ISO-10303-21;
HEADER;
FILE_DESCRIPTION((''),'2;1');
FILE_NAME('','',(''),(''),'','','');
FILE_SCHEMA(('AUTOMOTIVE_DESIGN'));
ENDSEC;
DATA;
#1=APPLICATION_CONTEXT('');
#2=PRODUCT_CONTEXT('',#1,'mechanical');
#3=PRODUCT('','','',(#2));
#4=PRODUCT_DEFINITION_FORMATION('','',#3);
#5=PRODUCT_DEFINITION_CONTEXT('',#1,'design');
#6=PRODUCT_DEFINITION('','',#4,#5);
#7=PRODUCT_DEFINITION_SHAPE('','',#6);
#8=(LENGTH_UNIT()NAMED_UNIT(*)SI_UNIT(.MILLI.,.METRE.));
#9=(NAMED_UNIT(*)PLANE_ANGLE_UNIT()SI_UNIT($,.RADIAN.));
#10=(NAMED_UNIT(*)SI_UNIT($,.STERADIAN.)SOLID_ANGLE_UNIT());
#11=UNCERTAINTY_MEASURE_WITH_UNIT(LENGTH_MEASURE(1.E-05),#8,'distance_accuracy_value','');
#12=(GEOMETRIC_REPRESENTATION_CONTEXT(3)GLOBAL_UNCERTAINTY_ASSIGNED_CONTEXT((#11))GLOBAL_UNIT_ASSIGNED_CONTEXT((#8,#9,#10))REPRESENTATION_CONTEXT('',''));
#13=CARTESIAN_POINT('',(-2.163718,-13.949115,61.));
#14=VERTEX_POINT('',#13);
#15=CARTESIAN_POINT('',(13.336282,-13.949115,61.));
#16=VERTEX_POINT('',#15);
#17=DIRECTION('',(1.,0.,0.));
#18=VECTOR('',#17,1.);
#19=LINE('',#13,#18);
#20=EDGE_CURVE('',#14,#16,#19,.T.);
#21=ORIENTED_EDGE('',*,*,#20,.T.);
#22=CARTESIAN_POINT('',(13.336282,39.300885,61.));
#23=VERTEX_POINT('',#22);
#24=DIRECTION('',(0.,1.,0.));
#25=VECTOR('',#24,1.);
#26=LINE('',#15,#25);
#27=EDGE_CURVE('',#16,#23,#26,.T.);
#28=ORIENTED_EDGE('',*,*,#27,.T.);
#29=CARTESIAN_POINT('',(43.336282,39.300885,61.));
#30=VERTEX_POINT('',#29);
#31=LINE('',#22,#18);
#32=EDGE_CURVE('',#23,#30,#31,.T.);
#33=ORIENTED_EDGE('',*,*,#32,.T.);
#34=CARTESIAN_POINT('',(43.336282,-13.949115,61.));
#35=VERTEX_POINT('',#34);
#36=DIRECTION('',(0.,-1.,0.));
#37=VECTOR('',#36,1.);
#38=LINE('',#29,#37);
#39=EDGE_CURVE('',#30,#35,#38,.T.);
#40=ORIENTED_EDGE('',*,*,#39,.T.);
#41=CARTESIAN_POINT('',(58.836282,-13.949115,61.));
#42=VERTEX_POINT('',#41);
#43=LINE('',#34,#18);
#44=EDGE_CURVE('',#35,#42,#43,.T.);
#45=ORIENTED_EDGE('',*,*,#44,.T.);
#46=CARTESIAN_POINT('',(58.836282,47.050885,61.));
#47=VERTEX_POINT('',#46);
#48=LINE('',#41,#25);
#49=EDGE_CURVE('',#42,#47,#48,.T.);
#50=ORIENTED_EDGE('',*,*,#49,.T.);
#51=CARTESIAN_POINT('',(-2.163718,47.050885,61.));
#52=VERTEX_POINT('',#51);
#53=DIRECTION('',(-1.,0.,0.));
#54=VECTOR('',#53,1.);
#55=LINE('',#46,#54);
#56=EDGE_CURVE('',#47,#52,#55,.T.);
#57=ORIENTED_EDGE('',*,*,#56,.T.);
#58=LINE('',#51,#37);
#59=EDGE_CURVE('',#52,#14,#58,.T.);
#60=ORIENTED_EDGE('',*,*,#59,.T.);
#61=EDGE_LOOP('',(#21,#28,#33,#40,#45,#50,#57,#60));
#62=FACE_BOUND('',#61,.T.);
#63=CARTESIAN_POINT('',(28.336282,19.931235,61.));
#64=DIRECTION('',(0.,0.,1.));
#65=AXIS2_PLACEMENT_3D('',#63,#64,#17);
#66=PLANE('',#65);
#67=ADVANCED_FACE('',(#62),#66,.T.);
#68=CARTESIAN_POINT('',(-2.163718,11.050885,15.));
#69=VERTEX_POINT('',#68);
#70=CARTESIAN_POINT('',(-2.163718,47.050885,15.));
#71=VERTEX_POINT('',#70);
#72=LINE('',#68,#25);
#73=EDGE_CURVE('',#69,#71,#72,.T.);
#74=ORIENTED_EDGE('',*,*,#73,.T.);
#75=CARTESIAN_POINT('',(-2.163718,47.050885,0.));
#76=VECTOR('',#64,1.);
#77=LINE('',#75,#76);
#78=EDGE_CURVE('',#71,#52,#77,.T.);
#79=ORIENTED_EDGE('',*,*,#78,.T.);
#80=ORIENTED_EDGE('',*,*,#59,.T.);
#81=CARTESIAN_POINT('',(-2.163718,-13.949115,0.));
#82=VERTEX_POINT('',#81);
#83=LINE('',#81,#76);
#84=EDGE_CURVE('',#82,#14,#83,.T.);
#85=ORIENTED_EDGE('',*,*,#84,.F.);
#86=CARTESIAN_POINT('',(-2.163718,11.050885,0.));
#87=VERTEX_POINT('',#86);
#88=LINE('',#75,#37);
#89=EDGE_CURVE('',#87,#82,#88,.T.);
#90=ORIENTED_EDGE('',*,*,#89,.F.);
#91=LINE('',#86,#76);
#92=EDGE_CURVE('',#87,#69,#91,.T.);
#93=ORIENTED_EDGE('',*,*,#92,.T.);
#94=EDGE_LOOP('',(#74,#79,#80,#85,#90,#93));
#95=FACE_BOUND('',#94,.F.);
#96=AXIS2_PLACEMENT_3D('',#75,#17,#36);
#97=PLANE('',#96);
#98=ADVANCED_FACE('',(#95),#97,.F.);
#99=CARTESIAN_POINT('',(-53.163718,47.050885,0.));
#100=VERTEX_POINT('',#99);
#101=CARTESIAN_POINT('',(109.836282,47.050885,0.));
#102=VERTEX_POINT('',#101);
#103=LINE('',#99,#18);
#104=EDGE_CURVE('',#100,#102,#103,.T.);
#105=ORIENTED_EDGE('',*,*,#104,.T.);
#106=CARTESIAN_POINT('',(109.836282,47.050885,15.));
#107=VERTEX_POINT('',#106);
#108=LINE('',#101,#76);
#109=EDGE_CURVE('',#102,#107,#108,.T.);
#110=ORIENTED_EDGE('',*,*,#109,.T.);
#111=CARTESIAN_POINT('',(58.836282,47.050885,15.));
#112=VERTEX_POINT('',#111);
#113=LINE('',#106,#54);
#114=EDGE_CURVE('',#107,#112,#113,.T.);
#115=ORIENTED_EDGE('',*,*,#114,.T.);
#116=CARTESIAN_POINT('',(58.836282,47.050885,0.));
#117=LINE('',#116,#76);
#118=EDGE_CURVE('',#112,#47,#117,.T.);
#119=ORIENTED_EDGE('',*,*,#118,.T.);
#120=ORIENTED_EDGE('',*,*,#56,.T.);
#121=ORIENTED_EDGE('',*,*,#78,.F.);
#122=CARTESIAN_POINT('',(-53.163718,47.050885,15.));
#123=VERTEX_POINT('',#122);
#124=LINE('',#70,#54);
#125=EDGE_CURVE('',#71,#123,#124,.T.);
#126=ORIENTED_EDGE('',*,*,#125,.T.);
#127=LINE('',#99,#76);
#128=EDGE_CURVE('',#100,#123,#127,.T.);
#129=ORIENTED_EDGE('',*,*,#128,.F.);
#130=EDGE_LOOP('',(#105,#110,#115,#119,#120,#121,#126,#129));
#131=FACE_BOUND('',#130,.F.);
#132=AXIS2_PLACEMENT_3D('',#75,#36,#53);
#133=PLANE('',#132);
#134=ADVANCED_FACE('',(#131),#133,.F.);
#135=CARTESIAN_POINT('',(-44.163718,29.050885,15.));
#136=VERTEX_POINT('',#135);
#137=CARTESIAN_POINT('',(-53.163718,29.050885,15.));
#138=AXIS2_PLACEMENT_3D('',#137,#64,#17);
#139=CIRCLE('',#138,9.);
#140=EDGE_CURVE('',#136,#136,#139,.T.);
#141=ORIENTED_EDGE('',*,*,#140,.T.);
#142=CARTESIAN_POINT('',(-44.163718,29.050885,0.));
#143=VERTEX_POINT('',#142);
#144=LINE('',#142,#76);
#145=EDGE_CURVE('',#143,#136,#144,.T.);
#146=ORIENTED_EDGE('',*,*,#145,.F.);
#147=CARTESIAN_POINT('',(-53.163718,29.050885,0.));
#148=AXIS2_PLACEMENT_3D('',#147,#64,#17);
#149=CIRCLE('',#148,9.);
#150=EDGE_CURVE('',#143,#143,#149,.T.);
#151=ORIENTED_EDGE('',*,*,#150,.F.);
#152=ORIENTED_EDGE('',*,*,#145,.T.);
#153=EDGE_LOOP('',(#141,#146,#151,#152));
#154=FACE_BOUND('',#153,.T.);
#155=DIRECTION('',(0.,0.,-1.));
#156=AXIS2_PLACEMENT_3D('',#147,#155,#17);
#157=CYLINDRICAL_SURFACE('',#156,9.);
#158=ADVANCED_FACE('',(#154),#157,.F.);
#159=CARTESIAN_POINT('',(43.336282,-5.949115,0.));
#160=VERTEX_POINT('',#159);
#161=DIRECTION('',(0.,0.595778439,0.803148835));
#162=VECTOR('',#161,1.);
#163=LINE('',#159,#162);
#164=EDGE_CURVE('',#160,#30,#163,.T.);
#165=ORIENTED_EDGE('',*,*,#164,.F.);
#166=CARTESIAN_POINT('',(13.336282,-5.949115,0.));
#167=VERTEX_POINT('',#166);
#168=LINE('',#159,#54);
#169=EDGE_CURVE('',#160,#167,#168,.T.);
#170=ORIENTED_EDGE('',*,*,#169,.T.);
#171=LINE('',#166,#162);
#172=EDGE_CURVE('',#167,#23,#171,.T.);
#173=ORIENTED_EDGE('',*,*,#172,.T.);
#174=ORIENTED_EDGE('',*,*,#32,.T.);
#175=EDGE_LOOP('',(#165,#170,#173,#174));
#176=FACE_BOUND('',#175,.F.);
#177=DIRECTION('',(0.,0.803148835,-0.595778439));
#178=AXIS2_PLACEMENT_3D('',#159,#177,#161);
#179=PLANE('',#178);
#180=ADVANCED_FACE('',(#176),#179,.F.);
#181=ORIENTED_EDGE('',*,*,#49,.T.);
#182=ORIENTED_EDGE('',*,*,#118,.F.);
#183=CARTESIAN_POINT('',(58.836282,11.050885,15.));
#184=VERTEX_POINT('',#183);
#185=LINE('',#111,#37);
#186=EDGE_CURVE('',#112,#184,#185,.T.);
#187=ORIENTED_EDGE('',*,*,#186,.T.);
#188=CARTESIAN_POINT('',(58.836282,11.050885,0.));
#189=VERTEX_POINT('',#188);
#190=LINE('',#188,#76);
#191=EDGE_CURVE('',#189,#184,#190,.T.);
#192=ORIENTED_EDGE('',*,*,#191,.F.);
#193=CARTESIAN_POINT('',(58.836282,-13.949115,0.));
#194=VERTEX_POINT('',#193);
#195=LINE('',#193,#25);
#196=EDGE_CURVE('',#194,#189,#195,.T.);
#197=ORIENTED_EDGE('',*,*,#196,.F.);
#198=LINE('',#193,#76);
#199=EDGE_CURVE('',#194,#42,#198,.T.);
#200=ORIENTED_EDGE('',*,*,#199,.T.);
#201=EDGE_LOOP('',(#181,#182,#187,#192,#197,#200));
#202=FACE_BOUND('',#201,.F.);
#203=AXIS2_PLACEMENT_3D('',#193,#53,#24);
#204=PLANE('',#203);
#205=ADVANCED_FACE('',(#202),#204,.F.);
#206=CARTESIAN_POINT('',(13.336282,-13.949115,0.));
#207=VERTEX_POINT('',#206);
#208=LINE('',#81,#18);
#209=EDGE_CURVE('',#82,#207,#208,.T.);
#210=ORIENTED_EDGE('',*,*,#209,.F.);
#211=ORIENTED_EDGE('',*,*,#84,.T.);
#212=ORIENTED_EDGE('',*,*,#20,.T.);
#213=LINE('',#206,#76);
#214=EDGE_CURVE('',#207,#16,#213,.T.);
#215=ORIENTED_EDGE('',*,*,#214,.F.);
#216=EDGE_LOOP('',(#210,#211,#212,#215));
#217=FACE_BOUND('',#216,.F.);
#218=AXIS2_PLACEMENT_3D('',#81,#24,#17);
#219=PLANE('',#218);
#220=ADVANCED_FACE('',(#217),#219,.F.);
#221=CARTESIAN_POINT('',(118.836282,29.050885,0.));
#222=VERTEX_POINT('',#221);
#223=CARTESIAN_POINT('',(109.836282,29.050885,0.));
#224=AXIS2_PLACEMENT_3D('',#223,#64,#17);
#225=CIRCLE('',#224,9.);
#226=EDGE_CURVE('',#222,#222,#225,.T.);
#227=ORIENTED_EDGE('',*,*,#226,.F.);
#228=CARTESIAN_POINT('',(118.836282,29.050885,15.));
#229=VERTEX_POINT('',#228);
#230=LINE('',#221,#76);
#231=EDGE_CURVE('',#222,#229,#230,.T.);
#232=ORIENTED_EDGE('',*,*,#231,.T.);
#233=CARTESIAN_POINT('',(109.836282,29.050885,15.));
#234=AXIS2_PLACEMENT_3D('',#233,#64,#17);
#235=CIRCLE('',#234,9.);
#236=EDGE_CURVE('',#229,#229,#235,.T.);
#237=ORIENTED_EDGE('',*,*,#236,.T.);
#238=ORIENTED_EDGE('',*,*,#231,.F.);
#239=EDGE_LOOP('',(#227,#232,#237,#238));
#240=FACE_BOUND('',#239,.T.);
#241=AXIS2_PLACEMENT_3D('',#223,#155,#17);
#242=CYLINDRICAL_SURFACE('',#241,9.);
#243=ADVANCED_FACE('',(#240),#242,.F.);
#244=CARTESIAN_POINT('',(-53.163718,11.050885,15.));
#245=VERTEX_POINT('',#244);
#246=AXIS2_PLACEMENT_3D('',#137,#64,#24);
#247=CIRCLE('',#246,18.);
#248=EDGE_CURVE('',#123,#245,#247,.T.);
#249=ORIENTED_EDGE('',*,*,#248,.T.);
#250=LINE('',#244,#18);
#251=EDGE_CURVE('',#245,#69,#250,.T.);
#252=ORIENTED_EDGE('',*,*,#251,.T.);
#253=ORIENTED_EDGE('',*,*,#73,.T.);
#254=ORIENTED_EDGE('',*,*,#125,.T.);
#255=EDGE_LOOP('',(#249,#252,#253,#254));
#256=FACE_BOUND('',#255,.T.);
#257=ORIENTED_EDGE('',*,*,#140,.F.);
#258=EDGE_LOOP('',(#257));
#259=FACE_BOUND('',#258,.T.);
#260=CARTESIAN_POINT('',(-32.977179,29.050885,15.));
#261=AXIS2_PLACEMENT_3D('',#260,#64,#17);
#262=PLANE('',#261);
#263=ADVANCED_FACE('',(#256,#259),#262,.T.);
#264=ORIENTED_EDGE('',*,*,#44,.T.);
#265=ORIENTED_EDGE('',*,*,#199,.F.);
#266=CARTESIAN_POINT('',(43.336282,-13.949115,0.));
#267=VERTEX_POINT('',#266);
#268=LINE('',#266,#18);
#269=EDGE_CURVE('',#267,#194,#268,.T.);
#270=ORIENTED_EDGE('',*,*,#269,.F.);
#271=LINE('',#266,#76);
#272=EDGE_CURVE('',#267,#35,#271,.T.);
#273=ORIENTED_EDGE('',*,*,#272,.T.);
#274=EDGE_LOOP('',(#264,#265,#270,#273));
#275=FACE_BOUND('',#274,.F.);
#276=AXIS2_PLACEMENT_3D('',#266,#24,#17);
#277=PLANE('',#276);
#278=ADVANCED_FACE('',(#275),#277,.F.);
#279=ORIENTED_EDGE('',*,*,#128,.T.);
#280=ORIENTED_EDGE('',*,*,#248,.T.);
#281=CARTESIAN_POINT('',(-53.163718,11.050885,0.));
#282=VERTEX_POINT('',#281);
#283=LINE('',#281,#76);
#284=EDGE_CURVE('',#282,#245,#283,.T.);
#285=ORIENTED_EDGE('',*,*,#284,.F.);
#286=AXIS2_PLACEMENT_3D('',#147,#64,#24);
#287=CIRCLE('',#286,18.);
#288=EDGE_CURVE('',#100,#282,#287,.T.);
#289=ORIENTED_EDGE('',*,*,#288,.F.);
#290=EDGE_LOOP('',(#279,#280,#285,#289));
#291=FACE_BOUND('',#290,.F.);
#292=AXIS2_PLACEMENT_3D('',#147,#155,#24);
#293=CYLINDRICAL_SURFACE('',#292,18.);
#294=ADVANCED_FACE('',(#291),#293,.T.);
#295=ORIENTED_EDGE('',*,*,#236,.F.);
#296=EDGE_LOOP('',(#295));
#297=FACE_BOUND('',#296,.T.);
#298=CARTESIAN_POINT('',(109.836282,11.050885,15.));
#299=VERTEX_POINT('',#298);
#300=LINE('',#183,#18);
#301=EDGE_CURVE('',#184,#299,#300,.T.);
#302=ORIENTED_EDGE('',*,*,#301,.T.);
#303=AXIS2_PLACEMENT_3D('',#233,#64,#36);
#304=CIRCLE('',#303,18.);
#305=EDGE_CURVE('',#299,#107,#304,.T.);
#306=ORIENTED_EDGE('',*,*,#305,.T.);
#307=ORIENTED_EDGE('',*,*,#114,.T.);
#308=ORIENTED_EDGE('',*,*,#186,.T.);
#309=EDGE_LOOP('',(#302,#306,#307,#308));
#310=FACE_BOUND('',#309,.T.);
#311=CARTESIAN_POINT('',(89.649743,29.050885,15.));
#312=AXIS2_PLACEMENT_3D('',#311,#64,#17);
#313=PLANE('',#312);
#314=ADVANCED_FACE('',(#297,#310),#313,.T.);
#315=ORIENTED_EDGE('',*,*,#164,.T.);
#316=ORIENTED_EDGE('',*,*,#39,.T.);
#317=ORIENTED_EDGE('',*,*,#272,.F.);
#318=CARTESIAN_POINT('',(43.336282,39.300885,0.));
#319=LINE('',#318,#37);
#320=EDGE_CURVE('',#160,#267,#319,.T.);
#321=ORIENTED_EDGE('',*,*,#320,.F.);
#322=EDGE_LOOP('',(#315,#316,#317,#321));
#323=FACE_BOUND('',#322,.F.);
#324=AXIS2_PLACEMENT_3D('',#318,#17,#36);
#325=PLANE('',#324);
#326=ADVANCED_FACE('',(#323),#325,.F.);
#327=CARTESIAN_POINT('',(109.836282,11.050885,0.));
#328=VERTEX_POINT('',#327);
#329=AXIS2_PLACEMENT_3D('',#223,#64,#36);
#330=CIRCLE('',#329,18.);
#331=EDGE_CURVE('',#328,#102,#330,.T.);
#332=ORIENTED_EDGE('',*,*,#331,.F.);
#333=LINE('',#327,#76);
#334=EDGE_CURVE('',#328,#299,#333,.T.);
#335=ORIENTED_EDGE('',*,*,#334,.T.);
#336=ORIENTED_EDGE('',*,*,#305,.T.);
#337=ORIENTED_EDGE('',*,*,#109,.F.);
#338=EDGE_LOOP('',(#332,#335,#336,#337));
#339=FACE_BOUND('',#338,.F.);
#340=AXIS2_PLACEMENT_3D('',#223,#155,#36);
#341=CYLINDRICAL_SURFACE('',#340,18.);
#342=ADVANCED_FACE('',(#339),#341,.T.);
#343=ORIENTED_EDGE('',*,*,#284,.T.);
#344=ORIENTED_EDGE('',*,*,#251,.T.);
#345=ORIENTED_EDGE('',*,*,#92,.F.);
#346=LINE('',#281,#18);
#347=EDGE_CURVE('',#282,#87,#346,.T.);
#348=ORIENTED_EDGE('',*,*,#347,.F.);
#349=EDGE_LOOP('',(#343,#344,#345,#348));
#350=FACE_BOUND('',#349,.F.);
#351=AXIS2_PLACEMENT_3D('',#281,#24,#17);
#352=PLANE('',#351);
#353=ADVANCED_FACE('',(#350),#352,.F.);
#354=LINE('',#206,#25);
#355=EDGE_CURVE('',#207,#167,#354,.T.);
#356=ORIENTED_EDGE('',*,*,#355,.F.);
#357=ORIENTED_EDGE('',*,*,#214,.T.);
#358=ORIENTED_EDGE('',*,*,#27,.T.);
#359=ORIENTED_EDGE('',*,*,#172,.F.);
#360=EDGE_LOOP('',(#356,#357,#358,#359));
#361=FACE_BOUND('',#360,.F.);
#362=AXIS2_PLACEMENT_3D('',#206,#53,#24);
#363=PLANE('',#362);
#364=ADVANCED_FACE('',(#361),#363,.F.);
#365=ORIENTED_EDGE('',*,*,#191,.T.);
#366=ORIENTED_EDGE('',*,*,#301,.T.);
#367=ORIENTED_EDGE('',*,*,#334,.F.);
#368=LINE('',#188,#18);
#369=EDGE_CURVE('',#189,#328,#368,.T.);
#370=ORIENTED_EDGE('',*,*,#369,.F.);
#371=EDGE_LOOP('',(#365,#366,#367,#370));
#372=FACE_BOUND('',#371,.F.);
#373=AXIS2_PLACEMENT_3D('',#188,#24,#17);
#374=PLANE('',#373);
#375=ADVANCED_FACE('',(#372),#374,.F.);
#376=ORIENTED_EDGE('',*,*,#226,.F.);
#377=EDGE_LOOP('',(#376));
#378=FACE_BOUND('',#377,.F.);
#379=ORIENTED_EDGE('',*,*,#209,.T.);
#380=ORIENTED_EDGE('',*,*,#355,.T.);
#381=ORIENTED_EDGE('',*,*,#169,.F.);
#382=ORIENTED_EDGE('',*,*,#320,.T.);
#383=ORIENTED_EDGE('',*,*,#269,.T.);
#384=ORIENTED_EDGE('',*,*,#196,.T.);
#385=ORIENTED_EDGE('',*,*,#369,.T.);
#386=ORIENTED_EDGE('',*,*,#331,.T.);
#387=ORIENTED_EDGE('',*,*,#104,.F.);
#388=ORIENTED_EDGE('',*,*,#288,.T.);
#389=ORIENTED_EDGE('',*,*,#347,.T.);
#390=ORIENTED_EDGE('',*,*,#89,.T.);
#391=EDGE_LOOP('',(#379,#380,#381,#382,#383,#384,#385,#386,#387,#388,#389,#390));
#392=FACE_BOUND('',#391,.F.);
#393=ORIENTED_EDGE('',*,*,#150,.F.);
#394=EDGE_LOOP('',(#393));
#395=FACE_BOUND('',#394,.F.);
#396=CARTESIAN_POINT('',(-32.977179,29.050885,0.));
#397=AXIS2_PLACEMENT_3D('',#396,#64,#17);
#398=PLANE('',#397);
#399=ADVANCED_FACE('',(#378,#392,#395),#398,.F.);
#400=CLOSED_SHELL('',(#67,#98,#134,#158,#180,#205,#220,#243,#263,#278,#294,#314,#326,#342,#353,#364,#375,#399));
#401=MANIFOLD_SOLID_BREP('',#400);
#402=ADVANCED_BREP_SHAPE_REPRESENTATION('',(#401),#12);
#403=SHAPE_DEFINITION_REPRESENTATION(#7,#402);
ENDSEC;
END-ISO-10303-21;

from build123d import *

# Parameters (mm, degrees)
F1_DEPTH = 61
F3_DEPTH = 30
F0_R     = 9
F4_DEPTH = 15


with BuildPart() as f1:
    # F0 (on Top) → F1 (new body)
    with BuildSketch(Plane.XY):
        Polygon((-2.163718, 11.050885), (-2.163718, -13.949115), (13.336282, -13.949115), (13.336282, 39.300885), (43.336282, 39.300885), (43.336282, -13.949115), (58.836282, -13.949115), (58.836282, 11.050885), (58.836282, 47.050885), (-2.163718, 47.050885), align=None)
    extrude(amount=F1_DEPTH)

    # F2 (on face) → F3 (join)
    with BuildSketch(Plane(origin=(43.336282, 0, 0), x_dir=(0, -1, 0), z_dir=(-1, 0, 0))):
        Polygon((-39.300885, 0), (5.949115, 0), (-39.300885, 61), align=None)
    extrude(amount=F3_DEPTH)

    # F0 (on Top) → F4 (join)
    with BuildSketch(Plane.XY):
        with BuildLine():
            Line((-53.163718, 11.050885), (-2.163718, 11.050885))
            Line((-2.163718, 11.050885), (-2.163718, 47.050885))
            Line((-2.163718, 47.050885), (-53.163718, 47.050885))
            ThreePointArc((-53.163718, 47.050885), (-71.163718, 29.050885), (-53.163718, 11.050885))
        make_face()
        with Locations((-53.163718, 29.050885)):
            Circle(F0_R, mode=Mode.SUBTRACT)
        with BuildLine():
            Line((109.836282, 47.050885), (58.836282, 47.050885))
            Line((58.836282, 47.050885), (58.836282, 11.050885))
            Line((58.836282, 11.050885), (109.836282, 11.050885))
            ThreePointArc((109.836282, 11.050885), (127.836282, 29.050885), (109.836282, 47.050885))
        make_face()
        with Locations((109.836282, 29.050885)):
            Circle(F0_R, mode=Mode.SUBTRACT)
    extrude(amount=F4_DEPTH)


solid = f1.part
